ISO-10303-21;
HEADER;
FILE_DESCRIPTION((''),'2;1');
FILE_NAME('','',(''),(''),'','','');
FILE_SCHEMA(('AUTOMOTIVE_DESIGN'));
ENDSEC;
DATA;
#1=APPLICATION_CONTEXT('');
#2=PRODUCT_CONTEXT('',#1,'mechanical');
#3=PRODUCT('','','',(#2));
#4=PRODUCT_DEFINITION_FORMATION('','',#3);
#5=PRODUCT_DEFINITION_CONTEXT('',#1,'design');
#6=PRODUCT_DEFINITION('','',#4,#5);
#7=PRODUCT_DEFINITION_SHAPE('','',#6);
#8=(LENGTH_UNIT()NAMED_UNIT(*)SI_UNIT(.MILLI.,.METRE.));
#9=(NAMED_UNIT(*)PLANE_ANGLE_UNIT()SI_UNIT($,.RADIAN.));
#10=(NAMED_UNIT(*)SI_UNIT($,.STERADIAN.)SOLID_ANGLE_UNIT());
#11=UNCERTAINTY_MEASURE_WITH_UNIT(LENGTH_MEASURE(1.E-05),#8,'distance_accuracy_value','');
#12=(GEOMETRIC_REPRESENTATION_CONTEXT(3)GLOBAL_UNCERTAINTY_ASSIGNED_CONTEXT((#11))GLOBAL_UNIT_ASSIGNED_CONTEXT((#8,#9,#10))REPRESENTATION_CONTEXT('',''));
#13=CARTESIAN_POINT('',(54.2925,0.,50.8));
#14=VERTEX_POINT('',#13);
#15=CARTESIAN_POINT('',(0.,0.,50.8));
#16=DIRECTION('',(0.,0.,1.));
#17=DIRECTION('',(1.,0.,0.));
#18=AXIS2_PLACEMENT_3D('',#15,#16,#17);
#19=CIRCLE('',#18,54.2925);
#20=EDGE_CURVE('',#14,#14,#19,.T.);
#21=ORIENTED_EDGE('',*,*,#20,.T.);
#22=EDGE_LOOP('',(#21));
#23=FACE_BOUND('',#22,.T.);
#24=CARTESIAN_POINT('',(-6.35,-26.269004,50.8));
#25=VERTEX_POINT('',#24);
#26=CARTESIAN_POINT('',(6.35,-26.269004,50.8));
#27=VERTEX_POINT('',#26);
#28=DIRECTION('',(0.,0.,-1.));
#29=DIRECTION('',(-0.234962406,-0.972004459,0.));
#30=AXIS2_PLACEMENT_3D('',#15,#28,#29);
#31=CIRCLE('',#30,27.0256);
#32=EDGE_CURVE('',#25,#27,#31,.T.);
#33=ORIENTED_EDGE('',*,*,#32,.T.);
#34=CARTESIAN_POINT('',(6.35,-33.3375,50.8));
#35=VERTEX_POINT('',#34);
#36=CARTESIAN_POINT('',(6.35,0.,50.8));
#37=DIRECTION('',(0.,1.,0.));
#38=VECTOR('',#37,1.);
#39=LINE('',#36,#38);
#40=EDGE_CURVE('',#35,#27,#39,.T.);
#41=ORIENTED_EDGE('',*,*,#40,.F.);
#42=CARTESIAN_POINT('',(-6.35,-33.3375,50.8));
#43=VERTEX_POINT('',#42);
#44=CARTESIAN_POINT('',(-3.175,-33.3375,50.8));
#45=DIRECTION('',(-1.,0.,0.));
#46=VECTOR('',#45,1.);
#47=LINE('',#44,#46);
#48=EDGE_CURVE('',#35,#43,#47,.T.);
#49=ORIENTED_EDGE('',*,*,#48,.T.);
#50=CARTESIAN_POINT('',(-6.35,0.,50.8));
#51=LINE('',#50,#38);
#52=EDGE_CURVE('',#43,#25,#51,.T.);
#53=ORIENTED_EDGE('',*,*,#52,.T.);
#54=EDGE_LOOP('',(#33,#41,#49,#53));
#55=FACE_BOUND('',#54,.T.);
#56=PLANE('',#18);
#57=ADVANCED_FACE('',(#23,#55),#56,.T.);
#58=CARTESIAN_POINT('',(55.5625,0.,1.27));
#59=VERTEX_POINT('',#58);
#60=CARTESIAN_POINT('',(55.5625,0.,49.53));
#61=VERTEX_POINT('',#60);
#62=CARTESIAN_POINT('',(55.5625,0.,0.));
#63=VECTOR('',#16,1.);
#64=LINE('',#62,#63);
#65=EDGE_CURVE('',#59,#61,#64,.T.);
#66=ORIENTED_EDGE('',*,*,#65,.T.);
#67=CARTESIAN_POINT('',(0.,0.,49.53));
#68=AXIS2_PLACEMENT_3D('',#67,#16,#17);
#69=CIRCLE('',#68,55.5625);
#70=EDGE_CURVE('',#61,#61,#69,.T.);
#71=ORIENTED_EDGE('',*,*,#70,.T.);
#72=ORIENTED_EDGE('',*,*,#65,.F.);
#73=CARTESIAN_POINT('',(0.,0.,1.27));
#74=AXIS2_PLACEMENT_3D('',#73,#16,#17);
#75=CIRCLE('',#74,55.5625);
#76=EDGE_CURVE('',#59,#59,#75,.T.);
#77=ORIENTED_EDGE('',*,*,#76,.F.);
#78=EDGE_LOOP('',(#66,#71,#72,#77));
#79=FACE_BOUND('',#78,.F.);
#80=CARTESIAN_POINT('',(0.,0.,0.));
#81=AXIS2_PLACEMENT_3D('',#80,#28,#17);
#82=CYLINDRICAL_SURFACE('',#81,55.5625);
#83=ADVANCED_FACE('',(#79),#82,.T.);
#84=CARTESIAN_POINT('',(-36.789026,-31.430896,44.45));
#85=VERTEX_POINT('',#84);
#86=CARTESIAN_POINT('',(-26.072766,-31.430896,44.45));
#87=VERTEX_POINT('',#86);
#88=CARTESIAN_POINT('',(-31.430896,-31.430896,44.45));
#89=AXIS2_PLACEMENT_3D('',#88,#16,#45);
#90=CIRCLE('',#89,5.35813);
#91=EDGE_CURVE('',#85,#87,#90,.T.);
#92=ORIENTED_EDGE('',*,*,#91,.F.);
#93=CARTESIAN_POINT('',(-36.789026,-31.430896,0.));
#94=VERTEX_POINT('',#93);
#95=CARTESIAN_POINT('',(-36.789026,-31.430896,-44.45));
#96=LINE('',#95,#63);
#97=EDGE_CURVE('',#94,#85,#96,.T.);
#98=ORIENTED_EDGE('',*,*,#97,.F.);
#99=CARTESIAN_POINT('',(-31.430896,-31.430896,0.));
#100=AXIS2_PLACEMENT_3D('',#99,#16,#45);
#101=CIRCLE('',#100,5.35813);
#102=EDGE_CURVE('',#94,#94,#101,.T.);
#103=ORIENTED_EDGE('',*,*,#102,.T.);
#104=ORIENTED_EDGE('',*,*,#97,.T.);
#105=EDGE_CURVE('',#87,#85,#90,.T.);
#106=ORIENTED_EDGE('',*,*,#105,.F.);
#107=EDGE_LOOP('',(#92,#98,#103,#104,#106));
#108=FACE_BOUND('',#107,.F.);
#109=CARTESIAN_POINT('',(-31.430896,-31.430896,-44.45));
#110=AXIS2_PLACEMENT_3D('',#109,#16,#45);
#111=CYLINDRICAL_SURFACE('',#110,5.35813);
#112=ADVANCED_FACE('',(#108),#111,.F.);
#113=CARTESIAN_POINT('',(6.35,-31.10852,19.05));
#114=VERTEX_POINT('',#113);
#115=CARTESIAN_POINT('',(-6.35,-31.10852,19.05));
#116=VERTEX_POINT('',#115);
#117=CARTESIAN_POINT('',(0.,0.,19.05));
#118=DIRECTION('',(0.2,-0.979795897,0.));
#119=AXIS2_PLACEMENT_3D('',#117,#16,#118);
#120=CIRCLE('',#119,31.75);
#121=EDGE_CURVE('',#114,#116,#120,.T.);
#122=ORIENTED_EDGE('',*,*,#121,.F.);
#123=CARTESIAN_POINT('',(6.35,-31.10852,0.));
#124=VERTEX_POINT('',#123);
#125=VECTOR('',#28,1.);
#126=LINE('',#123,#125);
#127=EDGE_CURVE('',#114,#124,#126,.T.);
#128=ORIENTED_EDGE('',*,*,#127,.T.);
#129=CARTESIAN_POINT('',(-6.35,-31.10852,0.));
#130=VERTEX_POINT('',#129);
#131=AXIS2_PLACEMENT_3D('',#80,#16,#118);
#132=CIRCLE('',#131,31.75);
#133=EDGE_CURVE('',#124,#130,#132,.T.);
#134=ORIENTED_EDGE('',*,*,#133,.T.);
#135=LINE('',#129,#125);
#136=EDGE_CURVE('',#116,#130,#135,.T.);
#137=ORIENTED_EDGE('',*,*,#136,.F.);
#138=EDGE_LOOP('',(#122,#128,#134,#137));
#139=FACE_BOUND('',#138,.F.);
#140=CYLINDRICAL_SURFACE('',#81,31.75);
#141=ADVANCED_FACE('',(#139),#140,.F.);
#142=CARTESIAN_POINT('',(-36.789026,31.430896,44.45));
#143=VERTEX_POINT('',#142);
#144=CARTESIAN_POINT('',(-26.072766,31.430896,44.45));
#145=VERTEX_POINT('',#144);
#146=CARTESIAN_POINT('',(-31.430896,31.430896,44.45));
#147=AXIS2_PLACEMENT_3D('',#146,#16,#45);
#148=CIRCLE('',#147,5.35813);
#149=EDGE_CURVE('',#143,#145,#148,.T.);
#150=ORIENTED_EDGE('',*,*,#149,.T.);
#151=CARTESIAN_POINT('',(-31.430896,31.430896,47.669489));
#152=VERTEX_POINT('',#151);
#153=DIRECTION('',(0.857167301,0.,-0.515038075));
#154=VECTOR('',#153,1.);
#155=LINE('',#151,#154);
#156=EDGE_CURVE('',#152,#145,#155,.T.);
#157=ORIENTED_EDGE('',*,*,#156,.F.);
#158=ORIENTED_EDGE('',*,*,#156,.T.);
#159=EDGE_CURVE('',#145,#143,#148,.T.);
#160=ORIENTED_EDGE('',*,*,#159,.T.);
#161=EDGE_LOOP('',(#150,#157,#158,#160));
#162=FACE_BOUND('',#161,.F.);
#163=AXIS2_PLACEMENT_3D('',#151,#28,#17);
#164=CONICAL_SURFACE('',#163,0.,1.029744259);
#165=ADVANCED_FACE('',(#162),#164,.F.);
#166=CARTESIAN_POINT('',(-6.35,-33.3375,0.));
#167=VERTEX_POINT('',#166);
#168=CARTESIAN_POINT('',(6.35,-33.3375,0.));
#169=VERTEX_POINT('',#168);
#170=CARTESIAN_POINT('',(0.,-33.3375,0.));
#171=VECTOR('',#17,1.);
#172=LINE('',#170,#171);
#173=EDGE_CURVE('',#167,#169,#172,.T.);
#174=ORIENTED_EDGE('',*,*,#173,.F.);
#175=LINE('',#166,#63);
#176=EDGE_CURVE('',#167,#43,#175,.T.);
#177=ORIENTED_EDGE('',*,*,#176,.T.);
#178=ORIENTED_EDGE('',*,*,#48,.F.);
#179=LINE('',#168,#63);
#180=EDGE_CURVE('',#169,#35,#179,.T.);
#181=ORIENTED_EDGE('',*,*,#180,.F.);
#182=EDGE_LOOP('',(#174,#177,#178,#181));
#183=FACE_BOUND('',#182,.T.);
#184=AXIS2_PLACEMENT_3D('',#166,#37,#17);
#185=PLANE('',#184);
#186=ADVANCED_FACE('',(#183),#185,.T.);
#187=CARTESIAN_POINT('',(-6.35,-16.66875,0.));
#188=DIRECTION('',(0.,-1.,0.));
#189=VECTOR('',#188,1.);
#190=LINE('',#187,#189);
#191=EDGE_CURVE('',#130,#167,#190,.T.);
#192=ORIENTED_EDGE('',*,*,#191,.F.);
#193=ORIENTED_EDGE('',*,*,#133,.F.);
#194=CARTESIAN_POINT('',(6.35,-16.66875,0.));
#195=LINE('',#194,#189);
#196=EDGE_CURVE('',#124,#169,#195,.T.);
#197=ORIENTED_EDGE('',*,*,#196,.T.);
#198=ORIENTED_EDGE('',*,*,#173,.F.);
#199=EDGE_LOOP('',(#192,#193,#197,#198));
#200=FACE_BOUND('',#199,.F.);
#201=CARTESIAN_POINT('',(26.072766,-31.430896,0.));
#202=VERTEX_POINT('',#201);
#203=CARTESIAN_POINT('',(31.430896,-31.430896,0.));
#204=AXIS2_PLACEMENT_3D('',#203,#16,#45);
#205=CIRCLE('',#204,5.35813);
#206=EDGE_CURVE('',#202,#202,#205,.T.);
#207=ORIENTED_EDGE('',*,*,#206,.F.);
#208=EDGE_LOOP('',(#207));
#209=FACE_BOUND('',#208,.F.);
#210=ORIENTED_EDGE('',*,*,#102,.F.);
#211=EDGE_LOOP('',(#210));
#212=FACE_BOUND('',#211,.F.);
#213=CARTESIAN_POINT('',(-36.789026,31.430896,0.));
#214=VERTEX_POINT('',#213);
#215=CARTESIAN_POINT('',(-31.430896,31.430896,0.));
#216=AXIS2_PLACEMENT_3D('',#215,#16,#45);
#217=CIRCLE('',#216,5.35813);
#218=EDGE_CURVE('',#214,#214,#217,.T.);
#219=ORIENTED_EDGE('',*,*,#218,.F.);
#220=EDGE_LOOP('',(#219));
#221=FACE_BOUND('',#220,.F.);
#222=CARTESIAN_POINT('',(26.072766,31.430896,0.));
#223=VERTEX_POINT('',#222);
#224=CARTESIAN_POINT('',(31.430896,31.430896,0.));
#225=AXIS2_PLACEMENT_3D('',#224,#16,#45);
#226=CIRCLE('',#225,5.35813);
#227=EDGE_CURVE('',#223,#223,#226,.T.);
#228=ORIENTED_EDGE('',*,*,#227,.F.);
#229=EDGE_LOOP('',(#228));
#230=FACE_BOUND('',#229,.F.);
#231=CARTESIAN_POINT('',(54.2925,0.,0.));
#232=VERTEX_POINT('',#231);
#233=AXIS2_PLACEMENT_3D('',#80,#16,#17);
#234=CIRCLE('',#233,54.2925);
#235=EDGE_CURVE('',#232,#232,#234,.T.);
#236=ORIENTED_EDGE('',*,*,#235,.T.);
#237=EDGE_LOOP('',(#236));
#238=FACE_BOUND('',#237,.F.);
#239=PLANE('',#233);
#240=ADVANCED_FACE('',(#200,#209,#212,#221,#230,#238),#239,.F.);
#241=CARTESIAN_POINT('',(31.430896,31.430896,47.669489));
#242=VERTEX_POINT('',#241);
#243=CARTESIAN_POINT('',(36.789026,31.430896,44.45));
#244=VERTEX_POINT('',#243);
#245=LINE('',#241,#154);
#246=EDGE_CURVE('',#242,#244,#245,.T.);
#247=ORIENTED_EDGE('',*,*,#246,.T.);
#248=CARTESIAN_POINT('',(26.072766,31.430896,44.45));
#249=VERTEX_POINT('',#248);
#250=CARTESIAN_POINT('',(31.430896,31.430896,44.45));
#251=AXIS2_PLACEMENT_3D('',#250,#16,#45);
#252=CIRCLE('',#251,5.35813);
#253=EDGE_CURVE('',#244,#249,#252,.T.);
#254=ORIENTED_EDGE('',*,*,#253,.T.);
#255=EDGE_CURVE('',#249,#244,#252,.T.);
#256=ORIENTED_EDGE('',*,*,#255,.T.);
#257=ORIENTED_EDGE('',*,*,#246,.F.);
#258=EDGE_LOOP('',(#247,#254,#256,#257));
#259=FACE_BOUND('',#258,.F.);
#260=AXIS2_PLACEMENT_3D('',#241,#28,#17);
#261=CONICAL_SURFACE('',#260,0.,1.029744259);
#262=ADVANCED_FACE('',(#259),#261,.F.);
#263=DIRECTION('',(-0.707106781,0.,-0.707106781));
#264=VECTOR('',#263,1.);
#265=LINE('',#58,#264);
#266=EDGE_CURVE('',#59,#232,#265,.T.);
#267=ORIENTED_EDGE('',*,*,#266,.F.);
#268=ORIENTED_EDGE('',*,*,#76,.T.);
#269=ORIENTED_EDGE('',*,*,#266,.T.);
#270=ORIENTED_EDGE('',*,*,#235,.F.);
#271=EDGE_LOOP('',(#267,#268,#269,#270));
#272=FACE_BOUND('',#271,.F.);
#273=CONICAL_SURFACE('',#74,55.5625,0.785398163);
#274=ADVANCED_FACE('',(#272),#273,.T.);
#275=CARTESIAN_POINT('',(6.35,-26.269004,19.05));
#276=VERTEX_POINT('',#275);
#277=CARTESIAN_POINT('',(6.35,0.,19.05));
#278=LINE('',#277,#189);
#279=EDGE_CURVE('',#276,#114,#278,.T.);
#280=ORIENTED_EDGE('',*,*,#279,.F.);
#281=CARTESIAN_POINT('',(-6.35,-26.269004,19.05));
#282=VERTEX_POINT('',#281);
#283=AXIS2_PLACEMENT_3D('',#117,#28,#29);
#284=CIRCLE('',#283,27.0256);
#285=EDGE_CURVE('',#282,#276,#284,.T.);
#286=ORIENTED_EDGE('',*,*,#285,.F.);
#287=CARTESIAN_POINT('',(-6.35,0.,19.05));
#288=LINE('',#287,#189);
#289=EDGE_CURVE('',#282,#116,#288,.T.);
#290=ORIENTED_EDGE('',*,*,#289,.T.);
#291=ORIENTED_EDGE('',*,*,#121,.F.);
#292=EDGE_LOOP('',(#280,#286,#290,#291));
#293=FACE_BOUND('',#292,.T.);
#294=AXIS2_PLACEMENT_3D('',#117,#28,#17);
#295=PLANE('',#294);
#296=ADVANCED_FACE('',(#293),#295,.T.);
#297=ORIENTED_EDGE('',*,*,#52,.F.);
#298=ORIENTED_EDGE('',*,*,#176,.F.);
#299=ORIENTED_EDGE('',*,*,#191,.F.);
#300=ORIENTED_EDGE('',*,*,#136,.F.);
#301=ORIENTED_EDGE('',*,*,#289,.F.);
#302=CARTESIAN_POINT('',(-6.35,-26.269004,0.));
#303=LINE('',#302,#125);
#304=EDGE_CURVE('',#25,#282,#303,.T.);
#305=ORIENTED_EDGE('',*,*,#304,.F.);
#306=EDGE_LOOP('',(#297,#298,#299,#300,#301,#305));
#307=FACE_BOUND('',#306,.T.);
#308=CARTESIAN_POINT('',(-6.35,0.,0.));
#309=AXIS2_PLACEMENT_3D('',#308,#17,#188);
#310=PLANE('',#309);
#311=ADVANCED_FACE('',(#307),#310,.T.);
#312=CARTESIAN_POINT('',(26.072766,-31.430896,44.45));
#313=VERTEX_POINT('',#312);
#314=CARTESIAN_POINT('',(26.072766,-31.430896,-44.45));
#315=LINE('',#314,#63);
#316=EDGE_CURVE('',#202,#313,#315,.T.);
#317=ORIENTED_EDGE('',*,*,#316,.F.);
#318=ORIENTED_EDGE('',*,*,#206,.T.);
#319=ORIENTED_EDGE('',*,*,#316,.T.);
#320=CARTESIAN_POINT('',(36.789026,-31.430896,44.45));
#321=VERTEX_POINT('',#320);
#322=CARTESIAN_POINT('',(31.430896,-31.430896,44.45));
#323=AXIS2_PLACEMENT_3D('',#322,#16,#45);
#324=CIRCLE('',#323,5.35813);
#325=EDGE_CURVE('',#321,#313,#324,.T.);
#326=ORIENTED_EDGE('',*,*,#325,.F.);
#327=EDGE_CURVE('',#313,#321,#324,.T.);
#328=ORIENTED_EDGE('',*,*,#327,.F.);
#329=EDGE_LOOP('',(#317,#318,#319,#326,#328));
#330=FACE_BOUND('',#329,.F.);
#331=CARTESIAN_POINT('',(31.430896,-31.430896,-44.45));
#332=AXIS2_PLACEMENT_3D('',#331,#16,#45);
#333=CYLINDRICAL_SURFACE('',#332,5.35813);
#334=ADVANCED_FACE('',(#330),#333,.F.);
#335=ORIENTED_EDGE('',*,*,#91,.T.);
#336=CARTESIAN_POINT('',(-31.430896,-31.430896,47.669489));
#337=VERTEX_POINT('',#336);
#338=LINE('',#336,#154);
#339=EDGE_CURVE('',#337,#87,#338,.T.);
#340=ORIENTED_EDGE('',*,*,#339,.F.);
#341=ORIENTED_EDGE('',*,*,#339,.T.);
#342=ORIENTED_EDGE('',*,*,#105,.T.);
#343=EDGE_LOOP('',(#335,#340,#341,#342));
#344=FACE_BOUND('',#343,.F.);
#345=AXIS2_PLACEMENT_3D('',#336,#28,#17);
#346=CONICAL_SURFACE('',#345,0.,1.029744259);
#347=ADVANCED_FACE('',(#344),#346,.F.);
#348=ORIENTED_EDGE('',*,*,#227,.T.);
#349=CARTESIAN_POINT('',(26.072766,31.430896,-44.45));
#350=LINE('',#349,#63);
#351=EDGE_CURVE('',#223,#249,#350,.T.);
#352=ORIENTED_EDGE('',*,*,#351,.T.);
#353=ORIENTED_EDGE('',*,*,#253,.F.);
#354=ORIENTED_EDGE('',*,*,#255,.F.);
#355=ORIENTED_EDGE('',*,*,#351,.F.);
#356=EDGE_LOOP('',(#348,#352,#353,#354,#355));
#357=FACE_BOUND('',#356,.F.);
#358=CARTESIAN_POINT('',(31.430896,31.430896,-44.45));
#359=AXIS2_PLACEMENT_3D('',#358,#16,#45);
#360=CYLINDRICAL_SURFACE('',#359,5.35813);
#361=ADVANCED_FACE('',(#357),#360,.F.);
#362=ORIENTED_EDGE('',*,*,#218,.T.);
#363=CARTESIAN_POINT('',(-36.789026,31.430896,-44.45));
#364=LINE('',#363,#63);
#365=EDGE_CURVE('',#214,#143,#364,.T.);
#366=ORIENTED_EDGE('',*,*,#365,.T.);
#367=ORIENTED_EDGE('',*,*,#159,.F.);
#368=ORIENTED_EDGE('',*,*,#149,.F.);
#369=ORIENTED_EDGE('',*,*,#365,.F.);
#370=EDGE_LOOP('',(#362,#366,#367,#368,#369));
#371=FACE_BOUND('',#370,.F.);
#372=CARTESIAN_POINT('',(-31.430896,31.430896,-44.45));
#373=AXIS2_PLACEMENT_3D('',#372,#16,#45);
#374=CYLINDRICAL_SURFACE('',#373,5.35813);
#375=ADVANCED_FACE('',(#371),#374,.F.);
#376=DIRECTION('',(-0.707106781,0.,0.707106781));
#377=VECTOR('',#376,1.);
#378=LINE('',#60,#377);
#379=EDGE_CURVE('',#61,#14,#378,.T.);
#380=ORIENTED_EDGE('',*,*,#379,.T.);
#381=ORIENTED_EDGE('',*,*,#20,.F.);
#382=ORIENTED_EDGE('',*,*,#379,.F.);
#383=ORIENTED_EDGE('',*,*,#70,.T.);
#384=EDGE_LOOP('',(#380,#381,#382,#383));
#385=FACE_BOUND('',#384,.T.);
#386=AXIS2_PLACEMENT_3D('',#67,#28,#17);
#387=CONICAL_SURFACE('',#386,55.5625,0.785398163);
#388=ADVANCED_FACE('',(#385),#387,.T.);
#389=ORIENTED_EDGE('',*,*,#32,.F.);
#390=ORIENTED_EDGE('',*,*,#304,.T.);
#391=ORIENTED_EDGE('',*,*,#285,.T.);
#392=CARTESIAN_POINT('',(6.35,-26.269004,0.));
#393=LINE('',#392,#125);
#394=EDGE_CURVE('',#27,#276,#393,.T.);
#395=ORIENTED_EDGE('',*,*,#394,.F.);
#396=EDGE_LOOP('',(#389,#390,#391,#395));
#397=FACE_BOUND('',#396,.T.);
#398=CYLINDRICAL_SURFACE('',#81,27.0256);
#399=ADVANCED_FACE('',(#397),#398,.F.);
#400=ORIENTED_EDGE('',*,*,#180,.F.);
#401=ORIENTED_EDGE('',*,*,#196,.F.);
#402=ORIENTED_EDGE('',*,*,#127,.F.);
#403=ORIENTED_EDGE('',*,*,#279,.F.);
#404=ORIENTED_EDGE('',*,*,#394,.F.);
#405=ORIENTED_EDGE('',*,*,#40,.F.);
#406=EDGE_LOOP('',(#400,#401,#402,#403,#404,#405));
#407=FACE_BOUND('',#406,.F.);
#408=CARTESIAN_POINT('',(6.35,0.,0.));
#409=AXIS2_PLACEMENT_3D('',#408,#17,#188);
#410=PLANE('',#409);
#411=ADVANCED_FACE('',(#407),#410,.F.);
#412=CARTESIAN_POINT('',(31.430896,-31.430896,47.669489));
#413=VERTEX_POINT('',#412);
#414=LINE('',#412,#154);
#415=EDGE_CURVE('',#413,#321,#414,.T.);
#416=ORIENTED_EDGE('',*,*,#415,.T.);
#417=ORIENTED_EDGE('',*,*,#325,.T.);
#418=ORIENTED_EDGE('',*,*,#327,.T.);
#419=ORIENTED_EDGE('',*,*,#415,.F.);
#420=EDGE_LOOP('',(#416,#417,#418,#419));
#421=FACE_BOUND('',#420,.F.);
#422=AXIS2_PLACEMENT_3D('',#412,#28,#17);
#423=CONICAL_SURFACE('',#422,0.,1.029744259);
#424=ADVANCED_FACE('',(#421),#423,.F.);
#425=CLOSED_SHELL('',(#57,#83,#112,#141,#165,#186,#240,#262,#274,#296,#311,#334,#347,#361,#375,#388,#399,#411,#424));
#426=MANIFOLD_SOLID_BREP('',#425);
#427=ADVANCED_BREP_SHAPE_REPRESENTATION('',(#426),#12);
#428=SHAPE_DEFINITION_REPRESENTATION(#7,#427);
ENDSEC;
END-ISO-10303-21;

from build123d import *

# Parameters (mm, degrees)
F0_R     = 55.5625
F0_R_2   = 27.0256
F1_DEPTH = 50.8
F3_R     = 31.75
F4_DEPTH = 19.05
F5_W     = 12.7
F5_H     = 33.3375
F6_DEPTH = 50.801
F7_SIZE  = 1.27
F8_D     = 10.71626
F8_DEPTH = 44.45
F8_TIP   = 3.2194893086


with BuildPart() as f1:
    # F0 (on Top) → F1 (new body)
    with BuildSketch(Plane.XY):
        Circle(F0_R)
        Circle(F0_R_2, mode=Mode.SUBTRACT)
    extrude(amount=F1_DEPTH)

    # F3 (on face) → F4 (cut)
    with BuildSketch(Plane(origin=(0, 0, 0), x_dir=(1, 0, 0), z_dir=(0, 0, -1))):
        Circle(F3_R)
    extrude(amount=-F4_DEPTH, mode=Mode.SUBTRACT)

    # F5 (on face) → F6 (cut, through all)
    with BuildSketch(Plane(origin=(0, 0, 0), x_dir=(1, 0, 0), z_dir=(0, 0, -1))):
        with Locations((0, 16.66875)):
            Rectangle(F5_W, F5_H)
    extrude(amount=-F6_DEPTH, mode=Mode.SUBTRACT)

    # F7
    f7_edges = [f1.edges().sort_by_distance(p)[0] for p in [
        (-55.5625, 0, 50.8),
        (-55.5625, 0, 0),
    ]]
    chamfer(f7_edges, length=F7_SIZE)

    # F8
    with Locations(Plane(origin=(0, 0, 0), x_dir=(1, 0, 0), z_dir=(0, 0, -1))):
        with Locations((-31.4308964237, -31.4308964237), (-31.4308964237, 31.4308964237), (31.4308964237, 31.4308964237), (31.4308964237, -31.4308964237)):
            Hole(F8_D / 2, depth=F8_DEPTH)
            with Locations((0, 0, -(F8_DEPTH + F8_TIP / 2))):  # 118° drill point
                Cone(0, F8_D / 2, F8_TIP, mode=Mode.SUBTRACT)


solid = f1.part
